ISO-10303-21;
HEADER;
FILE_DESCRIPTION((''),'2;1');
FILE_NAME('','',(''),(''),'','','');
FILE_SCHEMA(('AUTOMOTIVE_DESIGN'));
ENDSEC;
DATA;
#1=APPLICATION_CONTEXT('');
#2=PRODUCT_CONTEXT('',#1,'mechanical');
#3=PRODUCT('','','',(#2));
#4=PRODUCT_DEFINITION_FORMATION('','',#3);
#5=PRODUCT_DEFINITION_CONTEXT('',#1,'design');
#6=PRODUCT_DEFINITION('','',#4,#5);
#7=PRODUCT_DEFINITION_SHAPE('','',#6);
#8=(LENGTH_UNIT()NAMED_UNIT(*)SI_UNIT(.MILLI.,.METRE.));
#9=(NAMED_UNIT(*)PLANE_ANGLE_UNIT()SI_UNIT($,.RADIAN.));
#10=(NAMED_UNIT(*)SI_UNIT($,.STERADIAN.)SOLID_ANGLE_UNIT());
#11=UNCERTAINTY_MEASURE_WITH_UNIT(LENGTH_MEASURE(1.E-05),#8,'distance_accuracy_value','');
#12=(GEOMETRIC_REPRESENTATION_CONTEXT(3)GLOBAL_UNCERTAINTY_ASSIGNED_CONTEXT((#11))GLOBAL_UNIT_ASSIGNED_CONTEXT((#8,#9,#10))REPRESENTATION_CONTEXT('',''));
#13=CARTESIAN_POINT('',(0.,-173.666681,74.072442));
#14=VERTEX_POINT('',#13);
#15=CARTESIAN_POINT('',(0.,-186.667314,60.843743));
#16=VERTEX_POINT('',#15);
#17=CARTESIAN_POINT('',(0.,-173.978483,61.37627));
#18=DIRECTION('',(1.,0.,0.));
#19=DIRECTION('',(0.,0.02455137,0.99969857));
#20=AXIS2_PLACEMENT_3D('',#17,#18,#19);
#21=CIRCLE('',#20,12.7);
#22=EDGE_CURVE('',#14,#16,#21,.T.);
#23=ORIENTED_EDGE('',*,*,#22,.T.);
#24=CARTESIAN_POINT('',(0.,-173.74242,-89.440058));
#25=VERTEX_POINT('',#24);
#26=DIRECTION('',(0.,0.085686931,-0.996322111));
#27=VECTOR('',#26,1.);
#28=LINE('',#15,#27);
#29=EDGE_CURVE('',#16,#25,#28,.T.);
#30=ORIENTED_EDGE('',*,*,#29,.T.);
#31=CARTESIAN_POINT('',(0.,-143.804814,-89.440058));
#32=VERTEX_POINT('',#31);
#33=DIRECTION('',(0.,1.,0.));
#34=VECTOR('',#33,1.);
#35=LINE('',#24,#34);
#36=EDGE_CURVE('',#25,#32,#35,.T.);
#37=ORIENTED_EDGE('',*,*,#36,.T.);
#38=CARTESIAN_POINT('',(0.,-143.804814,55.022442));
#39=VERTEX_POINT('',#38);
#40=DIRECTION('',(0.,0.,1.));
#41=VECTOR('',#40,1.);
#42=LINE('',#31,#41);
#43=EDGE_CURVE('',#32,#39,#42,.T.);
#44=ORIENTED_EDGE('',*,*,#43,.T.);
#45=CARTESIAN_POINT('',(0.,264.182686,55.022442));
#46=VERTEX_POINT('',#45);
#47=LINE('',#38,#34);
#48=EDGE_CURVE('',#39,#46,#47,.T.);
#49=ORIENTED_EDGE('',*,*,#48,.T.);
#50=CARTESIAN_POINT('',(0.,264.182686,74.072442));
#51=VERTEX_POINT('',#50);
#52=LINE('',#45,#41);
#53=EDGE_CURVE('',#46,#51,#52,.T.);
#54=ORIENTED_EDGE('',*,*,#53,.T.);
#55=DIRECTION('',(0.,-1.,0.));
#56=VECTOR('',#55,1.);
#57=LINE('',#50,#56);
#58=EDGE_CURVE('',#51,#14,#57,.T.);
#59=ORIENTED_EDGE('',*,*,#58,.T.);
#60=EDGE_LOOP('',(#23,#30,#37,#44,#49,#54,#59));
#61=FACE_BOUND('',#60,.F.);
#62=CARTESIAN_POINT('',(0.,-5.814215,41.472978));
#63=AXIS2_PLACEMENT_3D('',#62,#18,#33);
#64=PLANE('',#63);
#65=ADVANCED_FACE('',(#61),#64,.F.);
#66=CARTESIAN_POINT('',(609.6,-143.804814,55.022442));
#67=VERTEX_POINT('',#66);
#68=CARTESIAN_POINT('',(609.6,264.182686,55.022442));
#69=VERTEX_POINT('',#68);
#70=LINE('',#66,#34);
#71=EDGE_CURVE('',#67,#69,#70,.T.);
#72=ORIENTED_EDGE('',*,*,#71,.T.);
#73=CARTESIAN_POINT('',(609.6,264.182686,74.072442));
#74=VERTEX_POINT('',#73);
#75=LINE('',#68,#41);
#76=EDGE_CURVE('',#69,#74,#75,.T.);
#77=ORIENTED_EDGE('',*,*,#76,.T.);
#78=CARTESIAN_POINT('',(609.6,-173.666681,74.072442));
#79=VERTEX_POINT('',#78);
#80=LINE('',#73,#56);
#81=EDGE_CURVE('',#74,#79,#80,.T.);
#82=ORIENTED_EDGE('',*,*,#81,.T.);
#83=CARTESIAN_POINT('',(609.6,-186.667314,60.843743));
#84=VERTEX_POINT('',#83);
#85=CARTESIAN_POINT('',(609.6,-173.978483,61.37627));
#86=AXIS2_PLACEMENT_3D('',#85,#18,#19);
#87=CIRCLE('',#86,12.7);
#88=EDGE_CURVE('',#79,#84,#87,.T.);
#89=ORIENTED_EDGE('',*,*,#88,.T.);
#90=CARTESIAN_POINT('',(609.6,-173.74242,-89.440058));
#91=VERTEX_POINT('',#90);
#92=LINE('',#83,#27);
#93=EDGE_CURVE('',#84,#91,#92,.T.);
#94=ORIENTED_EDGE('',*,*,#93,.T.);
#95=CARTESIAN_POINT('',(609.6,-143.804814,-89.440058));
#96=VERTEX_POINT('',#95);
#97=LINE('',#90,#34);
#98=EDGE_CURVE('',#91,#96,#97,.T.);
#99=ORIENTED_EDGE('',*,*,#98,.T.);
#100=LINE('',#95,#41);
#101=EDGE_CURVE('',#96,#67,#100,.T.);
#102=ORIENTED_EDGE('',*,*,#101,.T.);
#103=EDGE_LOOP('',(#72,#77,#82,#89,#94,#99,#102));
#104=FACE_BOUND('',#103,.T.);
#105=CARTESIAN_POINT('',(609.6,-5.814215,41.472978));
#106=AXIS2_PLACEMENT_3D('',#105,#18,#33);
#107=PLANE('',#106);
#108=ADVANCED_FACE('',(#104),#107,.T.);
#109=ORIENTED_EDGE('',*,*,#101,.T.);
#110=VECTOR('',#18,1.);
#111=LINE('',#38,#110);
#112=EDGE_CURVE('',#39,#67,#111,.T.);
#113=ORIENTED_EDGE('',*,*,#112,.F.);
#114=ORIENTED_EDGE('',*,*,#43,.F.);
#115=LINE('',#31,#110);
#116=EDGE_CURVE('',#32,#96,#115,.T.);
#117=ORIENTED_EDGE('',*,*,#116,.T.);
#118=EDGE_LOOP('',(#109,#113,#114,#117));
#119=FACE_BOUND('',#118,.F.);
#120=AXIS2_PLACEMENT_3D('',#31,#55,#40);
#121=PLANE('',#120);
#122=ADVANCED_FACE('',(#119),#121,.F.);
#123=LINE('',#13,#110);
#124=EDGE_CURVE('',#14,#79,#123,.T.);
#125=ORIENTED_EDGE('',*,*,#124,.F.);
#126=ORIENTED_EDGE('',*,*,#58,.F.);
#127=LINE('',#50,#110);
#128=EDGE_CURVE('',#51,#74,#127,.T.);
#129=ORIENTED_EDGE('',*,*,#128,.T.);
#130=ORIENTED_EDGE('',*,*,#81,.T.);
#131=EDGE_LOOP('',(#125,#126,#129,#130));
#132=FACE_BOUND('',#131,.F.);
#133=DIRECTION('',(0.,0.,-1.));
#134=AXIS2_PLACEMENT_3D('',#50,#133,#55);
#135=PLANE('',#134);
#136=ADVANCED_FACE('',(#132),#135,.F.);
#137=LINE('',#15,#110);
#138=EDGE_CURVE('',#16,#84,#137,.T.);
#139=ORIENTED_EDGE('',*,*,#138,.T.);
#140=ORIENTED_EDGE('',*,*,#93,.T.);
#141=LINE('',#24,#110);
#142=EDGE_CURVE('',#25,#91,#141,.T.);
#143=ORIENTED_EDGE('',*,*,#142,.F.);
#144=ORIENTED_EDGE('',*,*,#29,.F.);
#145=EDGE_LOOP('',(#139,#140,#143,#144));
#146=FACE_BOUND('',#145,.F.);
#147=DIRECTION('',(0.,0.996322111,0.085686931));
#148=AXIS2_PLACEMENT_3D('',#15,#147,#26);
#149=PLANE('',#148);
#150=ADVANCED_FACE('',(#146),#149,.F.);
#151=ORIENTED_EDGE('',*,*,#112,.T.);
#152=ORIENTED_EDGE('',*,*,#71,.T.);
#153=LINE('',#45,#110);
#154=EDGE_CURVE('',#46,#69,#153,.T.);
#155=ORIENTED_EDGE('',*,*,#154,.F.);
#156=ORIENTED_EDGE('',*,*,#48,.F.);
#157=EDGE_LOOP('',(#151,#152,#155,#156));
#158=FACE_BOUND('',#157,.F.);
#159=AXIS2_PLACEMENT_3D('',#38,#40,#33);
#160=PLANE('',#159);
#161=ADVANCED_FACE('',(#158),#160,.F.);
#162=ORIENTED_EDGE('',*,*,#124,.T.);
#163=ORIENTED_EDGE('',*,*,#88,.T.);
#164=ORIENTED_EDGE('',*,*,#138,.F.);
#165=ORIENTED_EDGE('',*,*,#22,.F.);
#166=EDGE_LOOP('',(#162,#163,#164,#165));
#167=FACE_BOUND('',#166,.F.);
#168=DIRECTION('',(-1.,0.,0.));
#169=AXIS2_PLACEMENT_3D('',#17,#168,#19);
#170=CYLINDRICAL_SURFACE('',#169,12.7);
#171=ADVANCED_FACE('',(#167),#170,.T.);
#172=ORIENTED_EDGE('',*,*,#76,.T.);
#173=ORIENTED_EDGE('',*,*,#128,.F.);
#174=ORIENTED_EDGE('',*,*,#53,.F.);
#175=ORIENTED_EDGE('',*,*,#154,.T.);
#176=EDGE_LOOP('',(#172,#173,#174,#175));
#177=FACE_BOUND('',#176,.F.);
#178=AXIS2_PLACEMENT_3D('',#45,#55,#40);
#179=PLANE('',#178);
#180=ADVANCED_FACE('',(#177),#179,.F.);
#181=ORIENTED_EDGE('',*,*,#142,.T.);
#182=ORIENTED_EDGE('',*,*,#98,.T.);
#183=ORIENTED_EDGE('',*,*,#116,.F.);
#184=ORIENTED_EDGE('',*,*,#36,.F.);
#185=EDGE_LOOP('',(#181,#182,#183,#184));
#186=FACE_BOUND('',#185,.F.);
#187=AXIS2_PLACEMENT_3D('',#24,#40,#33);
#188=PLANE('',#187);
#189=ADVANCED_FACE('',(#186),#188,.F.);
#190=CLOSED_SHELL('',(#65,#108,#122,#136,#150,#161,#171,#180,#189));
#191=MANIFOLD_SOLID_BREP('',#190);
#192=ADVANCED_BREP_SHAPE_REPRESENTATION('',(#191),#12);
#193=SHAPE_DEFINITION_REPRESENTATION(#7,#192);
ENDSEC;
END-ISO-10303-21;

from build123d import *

# Parameters (mm, degrees)
F1_DEPTH = 609.6


with BuildPart() as f1:
    # F0 (on Right) → F1 (new body)
    with BuildSketch(Plane.YZ):
        with BuildLine():
            Line((-143.804814, -89.440058), (-143.804814, 55.022442))
            Line((-143.804814, 55.022442), (264.182686, 55.022442))
            Line((264.182686, 55.022442), (264.182686, 74.072442))
            Line((264.182686, 74.072442), (-173.666681, 74.072442))
            ThreePointArc((-173.666681, 74.072442), (-183.036482, 70.278105), (-186.667314, 60.843743))
            Line((-186.667314, 60.843743), (-173.74242, -89.440058))
            Line((-173.74242, -89.440058), (-143.804814, -89.440058))
        make_face()
    extrude(amount=F1_DEPTH)


solid = f1.part
